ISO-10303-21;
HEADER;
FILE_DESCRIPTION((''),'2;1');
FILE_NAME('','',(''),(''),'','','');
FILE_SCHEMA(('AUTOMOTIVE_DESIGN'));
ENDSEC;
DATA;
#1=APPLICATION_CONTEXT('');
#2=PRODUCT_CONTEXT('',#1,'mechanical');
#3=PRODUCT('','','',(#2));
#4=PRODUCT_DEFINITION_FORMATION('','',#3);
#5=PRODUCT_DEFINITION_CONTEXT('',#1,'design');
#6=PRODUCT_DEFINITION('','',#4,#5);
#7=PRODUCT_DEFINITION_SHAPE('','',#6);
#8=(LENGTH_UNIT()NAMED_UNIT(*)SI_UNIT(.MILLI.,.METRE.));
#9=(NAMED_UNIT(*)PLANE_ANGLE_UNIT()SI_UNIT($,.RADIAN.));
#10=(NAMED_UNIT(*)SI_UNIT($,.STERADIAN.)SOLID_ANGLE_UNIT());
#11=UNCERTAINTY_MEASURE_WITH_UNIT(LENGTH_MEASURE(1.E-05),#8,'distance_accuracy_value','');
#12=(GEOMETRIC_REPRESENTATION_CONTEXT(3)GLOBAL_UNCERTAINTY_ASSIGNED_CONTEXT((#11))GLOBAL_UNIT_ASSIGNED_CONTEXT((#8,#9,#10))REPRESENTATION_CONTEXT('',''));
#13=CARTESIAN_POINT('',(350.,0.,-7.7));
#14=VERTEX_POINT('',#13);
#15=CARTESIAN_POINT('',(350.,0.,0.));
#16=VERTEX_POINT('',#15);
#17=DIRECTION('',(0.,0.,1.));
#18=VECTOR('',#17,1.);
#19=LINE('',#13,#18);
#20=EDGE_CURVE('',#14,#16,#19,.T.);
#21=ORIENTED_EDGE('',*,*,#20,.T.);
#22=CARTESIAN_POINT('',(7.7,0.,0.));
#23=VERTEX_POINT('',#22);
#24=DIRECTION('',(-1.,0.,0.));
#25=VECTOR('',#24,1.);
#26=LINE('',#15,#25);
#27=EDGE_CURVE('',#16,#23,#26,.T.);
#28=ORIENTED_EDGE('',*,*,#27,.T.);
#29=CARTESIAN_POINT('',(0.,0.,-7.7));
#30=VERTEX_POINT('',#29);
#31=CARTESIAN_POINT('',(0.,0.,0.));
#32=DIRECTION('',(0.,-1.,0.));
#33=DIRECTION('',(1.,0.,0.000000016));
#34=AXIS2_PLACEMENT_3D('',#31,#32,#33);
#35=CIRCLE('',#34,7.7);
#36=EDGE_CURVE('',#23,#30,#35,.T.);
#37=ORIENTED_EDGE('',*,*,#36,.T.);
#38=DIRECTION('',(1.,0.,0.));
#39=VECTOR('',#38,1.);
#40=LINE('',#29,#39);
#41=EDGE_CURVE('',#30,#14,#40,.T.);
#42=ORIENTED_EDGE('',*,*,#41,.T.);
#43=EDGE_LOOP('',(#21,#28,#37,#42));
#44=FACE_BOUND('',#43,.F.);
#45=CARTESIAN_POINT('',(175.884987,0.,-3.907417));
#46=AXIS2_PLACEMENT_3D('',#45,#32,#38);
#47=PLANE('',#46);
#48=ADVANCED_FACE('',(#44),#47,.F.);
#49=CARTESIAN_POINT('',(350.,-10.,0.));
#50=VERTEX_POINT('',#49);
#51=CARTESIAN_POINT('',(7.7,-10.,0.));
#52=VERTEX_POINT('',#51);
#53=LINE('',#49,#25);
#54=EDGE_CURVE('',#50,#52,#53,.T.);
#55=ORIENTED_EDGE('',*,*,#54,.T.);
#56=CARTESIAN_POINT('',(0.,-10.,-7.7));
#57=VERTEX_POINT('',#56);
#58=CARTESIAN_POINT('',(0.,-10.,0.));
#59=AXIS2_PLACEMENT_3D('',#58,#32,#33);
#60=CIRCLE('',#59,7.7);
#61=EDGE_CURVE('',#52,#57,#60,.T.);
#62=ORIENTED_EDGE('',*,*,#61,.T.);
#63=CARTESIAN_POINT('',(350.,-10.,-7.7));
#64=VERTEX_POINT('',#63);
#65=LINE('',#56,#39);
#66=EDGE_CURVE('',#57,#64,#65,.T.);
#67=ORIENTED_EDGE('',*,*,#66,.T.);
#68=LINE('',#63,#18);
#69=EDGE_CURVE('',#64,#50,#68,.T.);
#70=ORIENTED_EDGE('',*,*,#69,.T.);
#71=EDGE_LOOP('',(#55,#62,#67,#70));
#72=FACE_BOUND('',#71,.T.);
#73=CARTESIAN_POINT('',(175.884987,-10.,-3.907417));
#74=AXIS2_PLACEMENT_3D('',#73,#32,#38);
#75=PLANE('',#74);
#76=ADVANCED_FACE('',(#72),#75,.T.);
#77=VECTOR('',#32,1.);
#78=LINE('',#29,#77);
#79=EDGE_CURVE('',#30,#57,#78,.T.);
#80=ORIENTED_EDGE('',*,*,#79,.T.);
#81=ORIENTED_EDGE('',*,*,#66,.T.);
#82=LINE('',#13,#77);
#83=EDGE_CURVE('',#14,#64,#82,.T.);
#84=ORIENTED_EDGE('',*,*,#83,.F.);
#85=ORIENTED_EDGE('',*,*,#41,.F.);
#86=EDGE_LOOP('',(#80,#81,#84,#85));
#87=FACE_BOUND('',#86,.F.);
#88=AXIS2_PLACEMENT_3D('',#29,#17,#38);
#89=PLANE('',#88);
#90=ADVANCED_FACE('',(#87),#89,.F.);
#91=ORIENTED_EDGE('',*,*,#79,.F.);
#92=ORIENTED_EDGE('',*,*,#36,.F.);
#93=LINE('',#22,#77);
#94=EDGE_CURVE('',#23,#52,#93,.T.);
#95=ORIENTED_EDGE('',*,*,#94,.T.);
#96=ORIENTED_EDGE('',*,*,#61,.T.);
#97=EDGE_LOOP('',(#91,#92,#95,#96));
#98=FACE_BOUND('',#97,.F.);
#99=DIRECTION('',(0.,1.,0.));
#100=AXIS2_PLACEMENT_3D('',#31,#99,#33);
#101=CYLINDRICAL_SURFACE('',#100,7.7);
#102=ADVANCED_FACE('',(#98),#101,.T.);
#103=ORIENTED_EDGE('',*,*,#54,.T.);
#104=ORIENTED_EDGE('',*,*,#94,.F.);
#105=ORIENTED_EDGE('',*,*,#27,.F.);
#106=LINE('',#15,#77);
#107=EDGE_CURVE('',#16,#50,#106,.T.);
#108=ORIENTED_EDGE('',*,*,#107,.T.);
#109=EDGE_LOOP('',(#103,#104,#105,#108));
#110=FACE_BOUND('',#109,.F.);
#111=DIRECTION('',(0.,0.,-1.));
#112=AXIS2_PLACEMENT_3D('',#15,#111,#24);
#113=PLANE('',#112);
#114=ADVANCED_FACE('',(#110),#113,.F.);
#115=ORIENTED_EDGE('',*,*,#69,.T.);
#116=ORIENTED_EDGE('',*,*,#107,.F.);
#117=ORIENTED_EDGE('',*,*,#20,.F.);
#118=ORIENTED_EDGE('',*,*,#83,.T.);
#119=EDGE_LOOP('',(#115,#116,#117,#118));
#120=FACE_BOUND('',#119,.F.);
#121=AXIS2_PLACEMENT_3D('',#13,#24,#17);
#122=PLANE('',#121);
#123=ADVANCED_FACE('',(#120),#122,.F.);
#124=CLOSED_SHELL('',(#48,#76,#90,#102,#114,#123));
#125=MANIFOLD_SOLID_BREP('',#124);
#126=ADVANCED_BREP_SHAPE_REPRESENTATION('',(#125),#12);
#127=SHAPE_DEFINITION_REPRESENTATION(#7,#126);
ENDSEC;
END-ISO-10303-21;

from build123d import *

# Parameters (mm, degrees)
F1_DEPTH = 10


with BuildPart() as f1:
    # F0 (on Front) → F1 (new body)
    with BuildSketch(Plane.XZ):
        with BuildLine():
            Line((350, 0), (7.7, 0))
            ThreePointArc((7.7, 0), (5.444722, -5.444722), (0, -7.7))
            Line((0, -7.7), (350, -7.7))
            Line((350, -7.7), (350, 0))
        make_face()
        with BuildLine():
            Line((0, 0), (7.7, 0))
            ThreePointArc((7.7, 0), (-5.444722, 5.444722), (0, -7.7))
            Line((0, -7.7), (0, 0))
        make_face()
        with BuildLine():
            ThreePointArc((0, -7.7), (5.444722, -5.444722), (7.7, 0))
            Line((7.7, 0), (0, 0))
            Line((0, 0), (0, -7.7))
        make_face()
    extrude(amount=F1_DEPTH)


solid = f1.part
